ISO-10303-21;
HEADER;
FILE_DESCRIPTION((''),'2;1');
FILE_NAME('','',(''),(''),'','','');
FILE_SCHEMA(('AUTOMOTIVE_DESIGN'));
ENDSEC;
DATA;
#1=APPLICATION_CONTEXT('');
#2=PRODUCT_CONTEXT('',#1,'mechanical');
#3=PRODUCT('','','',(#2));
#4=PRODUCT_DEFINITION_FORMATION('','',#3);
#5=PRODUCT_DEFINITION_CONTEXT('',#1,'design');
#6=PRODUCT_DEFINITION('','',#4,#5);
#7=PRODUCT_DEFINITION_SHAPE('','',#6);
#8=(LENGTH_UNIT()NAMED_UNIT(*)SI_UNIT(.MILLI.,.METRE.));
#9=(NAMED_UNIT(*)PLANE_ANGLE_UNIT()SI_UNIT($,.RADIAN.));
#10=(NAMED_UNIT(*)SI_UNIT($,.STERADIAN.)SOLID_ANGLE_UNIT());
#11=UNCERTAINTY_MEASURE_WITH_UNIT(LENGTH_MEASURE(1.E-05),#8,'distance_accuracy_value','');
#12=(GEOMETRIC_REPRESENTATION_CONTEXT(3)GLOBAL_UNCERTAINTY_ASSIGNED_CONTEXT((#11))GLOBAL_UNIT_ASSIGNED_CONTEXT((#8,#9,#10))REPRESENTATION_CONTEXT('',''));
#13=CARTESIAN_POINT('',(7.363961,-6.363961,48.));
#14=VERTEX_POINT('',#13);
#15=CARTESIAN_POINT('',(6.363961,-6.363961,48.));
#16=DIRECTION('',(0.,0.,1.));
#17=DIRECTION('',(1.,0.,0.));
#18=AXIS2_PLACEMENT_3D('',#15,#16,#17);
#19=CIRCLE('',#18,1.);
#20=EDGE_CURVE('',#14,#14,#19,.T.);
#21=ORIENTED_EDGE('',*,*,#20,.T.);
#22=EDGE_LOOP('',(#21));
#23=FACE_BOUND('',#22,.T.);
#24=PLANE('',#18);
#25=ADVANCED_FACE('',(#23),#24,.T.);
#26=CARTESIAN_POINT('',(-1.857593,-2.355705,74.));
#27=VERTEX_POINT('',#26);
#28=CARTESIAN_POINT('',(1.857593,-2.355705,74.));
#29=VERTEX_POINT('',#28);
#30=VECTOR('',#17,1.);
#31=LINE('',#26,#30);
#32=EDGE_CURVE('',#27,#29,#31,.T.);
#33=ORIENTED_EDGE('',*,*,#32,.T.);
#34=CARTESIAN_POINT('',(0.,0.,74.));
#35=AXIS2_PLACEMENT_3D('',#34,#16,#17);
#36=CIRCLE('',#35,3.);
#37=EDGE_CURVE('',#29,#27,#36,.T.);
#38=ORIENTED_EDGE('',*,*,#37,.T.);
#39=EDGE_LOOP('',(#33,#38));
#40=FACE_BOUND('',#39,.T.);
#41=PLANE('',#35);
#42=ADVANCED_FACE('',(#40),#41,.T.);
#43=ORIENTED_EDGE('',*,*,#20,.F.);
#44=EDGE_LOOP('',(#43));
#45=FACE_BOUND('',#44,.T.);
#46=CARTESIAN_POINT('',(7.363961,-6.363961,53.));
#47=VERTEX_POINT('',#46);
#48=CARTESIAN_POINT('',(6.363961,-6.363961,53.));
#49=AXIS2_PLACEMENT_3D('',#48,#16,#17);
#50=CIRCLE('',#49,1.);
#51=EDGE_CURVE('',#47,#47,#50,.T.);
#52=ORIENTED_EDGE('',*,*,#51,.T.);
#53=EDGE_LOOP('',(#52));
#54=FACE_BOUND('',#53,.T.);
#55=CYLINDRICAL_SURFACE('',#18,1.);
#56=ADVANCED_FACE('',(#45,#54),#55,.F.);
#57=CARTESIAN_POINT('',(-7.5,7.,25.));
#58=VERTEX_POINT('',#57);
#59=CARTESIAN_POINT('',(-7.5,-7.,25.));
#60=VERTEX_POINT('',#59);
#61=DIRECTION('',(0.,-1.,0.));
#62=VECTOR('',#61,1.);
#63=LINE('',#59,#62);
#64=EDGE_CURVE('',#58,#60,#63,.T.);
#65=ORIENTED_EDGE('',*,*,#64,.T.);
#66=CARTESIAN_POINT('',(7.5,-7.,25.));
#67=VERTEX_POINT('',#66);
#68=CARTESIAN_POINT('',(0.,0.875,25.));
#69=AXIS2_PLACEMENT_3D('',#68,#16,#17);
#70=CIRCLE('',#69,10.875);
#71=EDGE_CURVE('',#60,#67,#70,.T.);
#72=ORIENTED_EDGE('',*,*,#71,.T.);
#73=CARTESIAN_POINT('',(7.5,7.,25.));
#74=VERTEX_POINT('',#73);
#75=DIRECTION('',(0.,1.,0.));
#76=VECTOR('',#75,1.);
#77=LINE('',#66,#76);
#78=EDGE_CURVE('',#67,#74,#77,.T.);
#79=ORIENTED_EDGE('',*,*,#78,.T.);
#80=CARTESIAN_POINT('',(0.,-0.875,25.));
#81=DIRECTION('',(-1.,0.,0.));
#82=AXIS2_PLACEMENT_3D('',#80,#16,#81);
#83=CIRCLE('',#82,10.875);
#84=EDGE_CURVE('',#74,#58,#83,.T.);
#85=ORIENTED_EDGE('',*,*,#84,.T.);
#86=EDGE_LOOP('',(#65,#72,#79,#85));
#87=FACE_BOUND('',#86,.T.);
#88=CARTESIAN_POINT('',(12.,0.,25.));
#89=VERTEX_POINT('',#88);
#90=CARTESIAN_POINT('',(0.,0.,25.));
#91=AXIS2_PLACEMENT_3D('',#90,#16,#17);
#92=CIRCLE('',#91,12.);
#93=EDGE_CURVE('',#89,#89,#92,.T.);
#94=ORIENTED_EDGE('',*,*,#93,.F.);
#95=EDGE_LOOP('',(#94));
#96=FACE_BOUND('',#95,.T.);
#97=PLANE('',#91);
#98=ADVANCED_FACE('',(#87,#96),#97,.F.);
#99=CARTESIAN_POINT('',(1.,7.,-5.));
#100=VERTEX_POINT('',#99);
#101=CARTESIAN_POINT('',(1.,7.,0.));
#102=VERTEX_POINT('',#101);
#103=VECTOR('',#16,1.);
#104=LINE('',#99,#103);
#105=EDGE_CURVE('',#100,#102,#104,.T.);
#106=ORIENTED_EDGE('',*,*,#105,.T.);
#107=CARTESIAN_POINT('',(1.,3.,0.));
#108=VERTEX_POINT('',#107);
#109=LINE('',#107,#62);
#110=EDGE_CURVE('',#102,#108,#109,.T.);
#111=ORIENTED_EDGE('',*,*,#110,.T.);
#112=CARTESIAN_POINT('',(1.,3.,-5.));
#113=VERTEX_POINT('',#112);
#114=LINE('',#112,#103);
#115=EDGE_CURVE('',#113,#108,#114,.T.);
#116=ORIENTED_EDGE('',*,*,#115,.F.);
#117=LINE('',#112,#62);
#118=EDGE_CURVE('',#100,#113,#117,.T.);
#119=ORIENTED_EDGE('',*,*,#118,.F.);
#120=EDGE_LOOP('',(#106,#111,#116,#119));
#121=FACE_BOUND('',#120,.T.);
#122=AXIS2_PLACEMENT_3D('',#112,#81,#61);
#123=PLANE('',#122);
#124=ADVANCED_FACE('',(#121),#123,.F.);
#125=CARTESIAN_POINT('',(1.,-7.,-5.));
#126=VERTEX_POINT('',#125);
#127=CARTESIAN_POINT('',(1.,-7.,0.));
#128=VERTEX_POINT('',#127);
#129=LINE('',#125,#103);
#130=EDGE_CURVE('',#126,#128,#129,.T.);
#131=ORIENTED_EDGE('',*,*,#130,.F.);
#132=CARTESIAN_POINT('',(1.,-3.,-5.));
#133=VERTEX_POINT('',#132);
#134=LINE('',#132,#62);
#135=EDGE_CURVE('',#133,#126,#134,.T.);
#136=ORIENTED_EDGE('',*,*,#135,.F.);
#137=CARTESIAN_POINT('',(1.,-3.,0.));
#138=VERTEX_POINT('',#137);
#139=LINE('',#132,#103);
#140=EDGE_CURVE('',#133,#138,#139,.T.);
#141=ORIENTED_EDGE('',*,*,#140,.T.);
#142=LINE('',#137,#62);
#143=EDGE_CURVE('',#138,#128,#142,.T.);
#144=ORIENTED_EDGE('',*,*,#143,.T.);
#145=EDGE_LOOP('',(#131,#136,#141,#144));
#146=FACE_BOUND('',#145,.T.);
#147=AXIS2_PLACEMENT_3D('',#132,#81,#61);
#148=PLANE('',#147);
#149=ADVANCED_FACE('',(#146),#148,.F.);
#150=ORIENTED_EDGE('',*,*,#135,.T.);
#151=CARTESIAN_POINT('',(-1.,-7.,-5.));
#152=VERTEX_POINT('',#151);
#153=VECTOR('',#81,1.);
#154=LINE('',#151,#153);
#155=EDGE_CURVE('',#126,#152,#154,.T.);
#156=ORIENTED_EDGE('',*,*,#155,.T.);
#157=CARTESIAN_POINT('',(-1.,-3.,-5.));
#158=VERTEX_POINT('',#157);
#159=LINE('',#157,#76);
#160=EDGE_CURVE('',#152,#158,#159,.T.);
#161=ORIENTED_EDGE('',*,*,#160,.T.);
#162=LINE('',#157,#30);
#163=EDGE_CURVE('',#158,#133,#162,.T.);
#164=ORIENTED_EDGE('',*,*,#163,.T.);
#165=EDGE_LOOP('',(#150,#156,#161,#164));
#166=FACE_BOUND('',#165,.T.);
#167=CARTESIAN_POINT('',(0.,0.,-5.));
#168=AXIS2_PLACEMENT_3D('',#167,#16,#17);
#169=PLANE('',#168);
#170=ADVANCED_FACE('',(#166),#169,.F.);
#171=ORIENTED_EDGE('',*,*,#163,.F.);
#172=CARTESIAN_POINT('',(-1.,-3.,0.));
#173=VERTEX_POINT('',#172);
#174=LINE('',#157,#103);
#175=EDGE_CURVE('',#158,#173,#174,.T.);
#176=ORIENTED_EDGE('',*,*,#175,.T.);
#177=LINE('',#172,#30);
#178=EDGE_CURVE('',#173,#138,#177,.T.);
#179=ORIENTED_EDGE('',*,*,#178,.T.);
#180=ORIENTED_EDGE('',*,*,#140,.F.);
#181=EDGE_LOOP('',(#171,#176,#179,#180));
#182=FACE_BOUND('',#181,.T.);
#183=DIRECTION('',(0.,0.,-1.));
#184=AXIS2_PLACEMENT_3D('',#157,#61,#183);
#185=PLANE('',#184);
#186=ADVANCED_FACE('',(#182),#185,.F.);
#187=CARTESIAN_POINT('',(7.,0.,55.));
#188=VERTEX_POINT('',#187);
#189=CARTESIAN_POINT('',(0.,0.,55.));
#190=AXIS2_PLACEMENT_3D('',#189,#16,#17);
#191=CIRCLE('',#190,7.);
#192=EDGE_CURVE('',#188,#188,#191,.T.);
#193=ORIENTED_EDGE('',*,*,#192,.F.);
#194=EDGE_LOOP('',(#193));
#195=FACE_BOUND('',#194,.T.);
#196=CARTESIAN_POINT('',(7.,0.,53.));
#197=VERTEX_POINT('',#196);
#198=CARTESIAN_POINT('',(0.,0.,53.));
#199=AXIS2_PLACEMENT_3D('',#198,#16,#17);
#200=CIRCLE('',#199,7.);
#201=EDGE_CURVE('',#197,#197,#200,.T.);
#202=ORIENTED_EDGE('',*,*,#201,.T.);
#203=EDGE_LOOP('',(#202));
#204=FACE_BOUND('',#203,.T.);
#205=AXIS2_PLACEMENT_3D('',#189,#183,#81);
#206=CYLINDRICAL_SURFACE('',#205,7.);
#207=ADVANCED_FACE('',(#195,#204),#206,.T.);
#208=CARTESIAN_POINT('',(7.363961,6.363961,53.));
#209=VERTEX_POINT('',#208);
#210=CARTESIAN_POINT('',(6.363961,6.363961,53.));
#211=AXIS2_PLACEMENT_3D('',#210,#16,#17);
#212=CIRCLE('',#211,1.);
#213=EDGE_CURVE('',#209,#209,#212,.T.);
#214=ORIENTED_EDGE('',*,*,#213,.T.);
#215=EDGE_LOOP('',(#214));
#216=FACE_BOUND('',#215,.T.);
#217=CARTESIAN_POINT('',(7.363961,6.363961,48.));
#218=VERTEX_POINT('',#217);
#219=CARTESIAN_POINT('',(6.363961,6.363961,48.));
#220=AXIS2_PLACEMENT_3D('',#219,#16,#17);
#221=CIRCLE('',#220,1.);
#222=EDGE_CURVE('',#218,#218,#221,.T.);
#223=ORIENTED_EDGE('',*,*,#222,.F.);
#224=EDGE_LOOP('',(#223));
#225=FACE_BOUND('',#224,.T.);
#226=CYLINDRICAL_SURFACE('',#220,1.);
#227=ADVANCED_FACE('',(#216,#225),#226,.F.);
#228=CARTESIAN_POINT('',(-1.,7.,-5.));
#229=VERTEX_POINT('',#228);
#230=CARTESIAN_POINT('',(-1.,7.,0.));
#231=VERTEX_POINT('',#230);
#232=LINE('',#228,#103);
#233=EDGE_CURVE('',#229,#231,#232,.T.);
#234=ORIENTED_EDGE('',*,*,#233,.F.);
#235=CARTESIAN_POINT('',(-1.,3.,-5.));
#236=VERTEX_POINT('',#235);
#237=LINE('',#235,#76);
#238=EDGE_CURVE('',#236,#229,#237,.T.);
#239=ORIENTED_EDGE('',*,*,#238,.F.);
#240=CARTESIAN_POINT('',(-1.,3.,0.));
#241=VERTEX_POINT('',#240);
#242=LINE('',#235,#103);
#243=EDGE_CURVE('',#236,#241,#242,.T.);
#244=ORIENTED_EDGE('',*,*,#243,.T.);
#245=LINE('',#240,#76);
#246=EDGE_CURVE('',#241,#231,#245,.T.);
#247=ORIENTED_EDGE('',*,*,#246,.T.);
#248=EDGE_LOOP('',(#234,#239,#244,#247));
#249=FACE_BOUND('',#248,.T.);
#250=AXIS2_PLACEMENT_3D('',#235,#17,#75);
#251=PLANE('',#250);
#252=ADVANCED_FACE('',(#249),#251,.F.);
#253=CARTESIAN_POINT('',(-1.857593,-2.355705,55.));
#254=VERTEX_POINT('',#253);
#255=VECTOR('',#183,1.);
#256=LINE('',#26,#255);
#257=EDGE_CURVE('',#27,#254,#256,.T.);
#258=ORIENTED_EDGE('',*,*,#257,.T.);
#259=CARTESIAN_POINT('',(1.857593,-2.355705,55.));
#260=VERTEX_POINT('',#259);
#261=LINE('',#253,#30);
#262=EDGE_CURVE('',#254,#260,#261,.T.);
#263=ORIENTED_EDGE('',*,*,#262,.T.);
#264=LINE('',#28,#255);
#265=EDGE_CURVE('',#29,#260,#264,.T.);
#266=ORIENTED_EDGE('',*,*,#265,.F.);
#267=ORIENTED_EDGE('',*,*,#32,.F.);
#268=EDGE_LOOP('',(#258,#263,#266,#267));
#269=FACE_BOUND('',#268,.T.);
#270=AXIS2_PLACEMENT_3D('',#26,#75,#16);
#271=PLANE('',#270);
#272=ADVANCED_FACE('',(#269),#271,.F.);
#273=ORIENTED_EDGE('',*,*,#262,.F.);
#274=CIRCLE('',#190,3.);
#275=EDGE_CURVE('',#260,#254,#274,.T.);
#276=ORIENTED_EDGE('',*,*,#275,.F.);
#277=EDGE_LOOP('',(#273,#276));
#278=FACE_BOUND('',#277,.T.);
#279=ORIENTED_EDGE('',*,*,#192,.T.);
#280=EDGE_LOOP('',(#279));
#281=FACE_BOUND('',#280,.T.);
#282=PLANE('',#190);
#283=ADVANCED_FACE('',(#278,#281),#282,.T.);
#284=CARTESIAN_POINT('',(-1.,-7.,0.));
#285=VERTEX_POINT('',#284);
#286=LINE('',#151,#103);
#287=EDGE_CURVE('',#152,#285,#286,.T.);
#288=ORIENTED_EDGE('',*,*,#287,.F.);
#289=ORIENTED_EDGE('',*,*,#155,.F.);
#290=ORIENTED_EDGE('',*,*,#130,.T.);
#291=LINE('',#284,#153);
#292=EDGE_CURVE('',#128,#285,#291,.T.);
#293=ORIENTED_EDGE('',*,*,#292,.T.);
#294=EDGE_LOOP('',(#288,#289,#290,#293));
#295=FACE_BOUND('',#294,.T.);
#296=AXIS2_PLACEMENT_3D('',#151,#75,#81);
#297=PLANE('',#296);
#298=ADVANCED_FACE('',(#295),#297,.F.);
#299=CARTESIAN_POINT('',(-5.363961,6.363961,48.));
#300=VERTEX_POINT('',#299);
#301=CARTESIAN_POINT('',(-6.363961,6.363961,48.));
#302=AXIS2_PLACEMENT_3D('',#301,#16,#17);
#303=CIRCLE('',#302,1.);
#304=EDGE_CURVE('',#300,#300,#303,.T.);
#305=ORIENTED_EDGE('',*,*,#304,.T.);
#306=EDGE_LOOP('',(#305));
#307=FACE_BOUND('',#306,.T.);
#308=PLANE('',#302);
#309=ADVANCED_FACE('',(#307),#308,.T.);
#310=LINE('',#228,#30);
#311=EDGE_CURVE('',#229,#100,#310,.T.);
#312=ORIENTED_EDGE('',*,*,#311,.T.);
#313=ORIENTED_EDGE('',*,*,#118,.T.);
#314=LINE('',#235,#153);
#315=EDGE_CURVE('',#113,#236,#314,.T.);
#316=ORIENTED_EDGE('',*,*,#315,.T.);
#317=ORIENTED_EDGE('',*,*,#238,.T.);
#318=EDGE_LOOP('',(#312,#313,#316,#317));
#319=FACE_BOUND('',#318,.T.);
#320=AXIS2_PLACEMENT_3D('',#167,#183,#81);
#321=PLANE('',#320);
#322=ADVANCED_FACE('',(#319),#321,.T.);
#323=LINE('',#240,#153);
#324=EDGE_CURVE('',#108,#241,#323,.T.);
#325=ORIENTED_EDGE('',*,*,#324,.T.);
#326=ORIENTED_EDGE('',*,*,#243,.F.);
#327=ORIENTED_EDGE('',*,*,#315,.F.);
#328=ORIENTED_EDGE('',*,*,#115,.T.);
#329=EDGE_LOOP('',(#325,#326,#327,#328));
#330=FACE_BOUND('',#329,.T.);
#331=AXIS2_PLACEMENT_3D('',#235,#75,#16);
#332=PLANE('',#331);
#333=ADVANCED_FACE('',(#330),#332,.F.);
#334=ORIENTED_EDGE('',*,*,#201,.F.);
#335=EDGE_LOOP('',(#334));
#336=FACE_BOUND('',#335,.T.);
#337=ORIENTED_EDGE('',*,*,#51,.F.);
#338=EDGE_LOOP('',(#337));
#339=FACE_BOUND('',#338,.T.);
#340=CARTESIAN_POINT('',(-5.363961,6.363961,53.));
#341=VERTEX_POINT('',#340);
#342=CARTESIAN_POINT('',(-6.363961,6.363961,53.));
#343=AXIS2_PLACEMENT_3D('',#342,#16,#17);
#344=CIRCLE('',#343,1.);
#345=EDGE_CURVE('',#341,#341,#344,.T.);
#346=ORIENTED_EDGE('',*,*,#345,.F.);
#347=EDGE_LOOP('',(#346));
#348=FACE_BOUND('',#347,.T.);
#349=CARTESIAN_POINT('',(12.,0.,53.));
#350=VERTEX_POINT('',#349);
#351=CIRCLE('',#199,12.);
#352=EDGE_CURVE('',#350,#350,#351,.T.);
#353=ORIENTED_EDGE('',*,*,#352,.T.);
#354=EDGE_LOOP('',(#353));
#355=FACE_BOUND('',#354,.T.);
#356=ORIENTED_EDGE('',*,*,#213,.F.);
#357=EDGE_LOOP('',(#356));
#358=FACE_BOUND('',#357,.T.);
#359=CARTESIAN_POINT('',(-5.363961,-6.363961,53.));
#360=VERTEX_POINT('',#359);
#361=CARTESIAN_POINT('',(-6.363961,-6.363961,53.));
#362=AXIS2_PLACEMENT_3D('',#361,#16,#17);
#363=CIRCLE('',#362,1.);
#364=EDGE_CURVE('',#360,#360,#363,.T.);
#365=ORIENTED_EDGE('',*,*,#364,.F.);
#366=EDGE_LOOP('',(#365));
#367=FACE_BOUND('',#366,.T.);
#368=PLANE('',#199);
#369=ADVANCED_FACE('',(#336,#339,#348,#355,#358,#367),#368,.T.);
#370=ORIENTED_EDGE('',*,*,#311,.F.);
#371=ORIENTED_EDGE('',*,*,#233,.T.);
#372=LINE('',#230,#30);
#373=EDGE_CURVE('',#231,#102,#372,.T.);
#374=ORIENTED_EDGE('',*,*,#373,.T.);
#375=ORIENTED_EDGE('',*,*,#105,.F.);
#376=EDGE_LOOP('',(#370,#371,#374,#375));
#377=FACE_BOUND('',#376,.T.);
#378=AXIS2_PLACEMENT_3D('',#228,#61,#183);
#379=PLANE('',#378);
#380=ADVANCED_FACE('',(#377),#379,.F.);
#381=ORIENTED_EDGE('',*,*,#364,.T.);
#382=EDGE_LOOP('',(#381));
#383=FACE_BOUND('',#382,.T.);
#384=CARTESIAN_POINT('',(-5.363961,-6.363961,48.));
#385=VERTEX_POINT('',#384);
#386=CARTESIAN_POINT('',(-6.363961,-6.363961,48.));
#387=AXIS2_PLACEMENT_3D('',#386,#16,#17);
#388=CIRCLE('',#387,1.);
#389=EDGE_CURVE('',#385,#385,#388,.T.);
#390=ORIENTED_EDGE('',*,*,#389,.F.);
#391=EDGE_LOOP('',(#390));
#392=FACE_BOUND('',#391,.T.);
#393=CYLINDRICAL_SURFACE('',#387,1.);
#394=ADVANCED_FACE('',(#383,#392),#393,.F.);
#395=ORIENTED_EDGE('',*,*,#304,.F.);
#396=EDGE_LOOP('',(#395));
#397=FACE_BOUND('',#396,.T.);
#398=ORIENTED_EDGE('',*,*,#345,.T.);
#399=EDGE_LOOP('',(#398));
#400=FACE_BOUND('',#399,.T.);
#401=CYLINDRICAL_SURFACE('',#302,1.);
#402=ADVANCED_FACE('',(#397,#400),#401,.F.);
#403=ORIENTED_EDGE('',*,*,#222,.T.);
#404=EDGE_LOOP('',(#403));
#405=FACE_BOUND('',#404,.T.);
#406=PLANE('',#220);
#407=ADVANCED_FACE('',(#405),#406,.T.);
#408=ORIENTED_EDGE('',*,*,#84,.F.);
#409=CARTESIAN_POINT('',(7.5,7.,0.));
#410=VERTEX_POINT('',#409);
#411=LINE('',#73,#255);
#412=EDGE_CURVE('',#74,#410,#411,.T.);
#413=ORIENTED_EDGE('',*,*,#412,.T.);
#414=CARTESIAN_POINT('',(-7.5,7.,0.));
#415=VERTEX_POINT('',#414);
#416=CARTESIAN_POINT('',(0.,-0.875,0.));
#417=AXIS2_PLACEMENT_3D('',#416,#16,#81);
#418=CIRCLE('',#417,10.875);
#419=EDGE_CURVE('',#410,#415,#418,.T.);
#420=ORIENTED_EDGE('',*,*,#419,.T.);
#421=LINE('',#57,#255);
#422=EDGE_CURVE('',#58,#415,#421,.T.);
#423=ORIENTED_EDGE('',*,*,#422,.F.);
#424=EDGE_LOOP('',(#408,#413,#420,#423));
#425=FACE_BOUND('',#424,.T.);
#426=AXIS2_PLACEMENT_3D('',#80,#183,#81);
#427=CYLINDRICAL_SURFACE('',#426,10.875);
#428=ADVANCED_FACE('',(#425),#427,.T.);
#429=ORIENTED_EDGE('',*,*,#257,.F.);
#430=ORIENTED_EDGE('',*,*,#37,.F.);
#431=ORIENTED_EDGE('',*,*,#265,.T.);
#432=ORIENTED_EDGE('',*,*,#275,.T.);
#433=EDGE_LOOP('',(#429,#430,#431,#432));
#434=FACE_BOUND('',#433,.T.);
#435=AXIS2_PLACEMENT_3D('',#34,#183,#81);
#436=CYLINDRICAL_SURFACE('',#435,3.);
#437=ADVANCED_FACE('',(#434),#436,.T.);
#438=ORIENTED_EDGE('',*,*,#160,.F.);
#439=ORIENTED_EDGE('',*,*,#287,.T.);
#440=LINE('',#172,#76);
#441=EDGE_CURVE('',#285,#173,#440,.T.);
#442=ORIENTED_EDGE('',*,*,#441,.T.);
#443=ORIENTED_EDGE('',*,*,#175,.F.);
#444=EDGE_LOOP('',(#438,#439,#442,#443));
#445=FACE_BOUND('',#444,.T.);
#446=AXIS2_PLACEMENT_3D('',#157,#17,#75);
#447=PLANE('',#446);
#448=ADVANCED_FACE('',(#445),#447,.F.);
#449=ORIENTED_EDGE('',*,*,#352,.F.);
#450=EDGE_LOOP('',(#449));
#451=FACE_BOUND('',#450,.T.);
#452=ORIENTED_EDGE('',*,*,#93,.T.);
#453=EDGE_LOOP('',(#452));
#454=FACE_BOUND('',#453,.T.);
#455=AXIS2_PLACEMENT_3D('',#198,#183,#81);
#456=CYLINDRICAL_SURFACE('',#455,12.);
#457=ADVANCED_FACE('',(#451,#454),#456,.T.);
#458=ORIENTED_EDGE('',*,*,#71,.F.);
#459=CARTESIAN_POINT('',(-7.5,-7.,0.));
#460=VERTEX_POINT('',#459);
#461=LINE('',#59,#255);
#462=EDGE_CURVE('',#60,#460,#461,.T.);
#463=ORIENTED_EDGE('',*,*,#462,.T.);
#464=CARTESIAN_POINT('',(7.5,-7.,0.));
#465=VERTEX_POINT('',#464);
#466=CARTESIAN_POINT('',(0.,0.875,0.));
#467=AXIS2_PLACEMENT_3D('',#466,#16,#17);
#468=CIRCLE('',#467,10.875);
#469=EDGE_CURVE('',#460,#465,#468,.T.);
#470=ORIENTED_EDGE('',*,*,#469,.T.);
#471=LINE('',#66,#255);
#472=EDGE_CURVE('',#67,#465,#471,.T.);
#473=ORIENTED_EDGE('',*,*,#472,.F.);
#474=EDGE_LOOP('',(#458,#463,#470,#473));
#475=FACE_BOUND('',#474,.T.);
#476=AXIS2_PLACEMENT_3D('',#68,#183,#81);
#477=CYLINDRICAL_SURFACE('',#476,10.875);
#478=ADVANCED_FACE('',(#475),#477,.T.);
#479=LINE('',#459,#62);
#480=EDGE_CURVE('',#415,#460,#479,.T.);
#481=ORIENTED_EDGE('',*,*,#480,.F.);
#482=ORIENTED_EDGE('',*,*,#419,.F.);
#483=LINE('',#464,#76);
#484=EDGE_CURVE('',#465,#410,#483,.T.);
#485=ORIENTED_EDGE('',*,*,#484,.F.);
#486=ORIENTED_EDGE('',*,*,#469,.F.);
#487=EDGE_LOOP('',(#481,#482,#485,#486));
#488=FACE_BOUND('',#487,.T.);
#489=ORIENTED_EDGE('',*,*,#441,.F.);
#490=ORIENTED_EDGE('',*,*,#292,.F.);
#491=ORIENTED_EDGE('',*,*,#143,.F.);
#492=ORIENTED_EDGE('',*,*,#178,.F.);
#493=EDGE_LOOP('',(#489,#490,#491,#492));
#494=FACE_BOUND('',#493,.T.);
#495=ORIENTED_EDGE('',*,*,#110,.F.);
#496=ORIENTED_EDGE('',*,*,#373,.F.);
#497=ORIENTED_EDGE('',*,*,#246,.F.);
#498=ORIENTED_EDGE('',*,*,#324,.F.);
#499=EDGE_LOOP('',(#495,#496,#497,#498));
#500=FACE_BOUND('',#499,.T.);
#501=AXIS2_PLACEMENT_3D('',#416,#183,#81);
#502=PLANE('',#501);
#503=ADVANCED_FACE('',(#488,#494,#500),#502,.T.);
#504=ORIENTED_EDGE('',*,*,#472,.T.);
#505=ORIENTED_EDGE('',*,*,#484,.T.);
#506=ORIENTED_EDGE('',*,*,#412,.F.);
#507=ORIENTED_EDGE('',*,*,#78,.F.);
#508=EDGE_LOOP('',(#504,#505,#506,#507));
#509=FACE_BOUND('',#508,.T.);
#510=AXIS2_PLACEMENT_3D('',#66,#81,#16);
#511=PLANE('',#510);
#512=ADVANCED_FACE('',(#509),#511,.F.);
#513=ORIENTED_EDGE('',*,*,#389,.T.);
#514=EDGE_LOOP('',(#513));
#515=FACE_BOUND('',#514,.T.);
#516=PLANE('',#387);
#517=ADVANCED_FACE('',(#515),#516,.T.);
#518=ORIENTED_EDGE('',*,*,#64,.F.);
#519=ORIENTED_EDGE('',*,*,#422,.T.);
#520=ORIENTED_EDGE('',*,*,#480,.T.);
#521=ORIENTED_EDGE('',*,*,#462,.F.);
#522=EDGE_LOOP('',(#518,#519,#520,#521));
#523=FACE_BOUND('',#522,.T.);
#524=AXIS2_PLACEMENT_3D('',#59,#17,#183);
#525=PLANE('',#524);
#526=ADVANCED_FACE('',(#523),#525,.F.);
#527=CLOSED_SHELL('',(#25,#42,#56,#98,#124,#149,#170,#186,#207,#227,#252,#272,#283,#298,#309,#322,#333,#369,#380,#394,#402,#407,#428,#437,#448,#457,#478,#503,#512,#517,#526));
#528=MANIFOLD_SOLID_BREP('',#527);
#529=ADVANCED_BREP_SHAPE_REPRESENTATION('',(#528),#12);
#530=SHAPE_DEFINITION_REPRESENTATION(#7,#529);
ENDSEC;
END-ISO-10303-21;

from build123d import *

# Parameters (mm, degrees)
BOSS_EXTRUDE1_DEPTH = 25
SKETCH2_W           = 2
SKETCH2_H           = 4
BOSS_EXTRUDE2_DEPTH = 5
SKETCH3_R           = 12
BOSS_EXTRUDE3_DEPTH = 28
SKETCH4_R           = 7
BOSS_EXTRUDE4_DEPTH = 2
SKETCH5_R           = 1
CUT_EXTRUDE1_DEPTH  = 5
BOSS_EXTRUDE5_DEPTH = 19


with BuildPart() as part:
    # Sketch1 → Boss-Extrude1 (new body)
    with BuildSketch(Plane.XY):
        with BuildLine():
            Line((7.5, -7), (7.5, 7))
            ThreePointArc((7.5, 7), (0, 10), (-7.5, 7))
            Line((-7.5, 7), (-7.5, -7))
            ThreePointArc((-7.5, -7), (0, -10), (7.5, -7))
        make_face()
    extrude(amount=BOSS_EXTRUDE1_DEPTH)

    # Sketch2 → Boss-Extrude2 (add)
    with BuildSketch(Plane(origin=(0, 0, 0), x_dir=(-1, 0, 0), z_dir=(0, 0, -1))):
        with Locations((0, 5)):
            Rectangle(SKETCH2_W, SKETCH2_H)
        with Locations((0, -5)):
            Rectangle(SKETCH2_W, SKETCH2_H)
    extrude(amount=BOSS_EXTRUDE2_DEPTH)

    # Sketch3 → Boss-Extrude3 (add)
    with BuildSketch(Plane.XY.offset(25)):
        Circle(SKETCH3_R)
    extrude(amount=BOSS_EXTRUDE3_DEPTH)

    # Sketch4 → Boss-Extrude4 (add)
    with BuildSketch(Plane.XY.offset(53)):
        Circle(SKETCH4_R)
    extrude(amount=BOSS_EXTRUDE4_DEPTH)

    # Sketch5 → Cut-Extrude1 (cut)
    with BuildSketch(Plane.XY.offset(53)):
        with Locations((-6.363961031, 6.363961031)):
            Circle(SKETCH5_R)
        with Locations((6.363961031, 6.363961031)):
            Circle(SKETCH5_R)
        with Locations((6.363961031, -6.363961031)):
            Circle(SKETCH5_R)
        with Locations((-6.363961031, -6.363961031)):
            Circle(SKETCH5_R)
    extrude(amount=-CUT_EXTRUDE1_DEPTH, mode=Mode.SUBTRACT)

    # Sketch6 → Boss-Extrude5 (add)
    with BuildSketch(Plane.XY.offset(55)):
        with BuildLine():
            Line((-1.857593316, -2.355705218), (1.857593316, -2.355705218))
            ThreePointArc((1.857593316, -2.355705218), (0, 3), (-1.857593316, -2.355705218))
        make_face()
    extrude(amount=BOSS_EXTRUDE5_DEPTH)


solid = part.part
